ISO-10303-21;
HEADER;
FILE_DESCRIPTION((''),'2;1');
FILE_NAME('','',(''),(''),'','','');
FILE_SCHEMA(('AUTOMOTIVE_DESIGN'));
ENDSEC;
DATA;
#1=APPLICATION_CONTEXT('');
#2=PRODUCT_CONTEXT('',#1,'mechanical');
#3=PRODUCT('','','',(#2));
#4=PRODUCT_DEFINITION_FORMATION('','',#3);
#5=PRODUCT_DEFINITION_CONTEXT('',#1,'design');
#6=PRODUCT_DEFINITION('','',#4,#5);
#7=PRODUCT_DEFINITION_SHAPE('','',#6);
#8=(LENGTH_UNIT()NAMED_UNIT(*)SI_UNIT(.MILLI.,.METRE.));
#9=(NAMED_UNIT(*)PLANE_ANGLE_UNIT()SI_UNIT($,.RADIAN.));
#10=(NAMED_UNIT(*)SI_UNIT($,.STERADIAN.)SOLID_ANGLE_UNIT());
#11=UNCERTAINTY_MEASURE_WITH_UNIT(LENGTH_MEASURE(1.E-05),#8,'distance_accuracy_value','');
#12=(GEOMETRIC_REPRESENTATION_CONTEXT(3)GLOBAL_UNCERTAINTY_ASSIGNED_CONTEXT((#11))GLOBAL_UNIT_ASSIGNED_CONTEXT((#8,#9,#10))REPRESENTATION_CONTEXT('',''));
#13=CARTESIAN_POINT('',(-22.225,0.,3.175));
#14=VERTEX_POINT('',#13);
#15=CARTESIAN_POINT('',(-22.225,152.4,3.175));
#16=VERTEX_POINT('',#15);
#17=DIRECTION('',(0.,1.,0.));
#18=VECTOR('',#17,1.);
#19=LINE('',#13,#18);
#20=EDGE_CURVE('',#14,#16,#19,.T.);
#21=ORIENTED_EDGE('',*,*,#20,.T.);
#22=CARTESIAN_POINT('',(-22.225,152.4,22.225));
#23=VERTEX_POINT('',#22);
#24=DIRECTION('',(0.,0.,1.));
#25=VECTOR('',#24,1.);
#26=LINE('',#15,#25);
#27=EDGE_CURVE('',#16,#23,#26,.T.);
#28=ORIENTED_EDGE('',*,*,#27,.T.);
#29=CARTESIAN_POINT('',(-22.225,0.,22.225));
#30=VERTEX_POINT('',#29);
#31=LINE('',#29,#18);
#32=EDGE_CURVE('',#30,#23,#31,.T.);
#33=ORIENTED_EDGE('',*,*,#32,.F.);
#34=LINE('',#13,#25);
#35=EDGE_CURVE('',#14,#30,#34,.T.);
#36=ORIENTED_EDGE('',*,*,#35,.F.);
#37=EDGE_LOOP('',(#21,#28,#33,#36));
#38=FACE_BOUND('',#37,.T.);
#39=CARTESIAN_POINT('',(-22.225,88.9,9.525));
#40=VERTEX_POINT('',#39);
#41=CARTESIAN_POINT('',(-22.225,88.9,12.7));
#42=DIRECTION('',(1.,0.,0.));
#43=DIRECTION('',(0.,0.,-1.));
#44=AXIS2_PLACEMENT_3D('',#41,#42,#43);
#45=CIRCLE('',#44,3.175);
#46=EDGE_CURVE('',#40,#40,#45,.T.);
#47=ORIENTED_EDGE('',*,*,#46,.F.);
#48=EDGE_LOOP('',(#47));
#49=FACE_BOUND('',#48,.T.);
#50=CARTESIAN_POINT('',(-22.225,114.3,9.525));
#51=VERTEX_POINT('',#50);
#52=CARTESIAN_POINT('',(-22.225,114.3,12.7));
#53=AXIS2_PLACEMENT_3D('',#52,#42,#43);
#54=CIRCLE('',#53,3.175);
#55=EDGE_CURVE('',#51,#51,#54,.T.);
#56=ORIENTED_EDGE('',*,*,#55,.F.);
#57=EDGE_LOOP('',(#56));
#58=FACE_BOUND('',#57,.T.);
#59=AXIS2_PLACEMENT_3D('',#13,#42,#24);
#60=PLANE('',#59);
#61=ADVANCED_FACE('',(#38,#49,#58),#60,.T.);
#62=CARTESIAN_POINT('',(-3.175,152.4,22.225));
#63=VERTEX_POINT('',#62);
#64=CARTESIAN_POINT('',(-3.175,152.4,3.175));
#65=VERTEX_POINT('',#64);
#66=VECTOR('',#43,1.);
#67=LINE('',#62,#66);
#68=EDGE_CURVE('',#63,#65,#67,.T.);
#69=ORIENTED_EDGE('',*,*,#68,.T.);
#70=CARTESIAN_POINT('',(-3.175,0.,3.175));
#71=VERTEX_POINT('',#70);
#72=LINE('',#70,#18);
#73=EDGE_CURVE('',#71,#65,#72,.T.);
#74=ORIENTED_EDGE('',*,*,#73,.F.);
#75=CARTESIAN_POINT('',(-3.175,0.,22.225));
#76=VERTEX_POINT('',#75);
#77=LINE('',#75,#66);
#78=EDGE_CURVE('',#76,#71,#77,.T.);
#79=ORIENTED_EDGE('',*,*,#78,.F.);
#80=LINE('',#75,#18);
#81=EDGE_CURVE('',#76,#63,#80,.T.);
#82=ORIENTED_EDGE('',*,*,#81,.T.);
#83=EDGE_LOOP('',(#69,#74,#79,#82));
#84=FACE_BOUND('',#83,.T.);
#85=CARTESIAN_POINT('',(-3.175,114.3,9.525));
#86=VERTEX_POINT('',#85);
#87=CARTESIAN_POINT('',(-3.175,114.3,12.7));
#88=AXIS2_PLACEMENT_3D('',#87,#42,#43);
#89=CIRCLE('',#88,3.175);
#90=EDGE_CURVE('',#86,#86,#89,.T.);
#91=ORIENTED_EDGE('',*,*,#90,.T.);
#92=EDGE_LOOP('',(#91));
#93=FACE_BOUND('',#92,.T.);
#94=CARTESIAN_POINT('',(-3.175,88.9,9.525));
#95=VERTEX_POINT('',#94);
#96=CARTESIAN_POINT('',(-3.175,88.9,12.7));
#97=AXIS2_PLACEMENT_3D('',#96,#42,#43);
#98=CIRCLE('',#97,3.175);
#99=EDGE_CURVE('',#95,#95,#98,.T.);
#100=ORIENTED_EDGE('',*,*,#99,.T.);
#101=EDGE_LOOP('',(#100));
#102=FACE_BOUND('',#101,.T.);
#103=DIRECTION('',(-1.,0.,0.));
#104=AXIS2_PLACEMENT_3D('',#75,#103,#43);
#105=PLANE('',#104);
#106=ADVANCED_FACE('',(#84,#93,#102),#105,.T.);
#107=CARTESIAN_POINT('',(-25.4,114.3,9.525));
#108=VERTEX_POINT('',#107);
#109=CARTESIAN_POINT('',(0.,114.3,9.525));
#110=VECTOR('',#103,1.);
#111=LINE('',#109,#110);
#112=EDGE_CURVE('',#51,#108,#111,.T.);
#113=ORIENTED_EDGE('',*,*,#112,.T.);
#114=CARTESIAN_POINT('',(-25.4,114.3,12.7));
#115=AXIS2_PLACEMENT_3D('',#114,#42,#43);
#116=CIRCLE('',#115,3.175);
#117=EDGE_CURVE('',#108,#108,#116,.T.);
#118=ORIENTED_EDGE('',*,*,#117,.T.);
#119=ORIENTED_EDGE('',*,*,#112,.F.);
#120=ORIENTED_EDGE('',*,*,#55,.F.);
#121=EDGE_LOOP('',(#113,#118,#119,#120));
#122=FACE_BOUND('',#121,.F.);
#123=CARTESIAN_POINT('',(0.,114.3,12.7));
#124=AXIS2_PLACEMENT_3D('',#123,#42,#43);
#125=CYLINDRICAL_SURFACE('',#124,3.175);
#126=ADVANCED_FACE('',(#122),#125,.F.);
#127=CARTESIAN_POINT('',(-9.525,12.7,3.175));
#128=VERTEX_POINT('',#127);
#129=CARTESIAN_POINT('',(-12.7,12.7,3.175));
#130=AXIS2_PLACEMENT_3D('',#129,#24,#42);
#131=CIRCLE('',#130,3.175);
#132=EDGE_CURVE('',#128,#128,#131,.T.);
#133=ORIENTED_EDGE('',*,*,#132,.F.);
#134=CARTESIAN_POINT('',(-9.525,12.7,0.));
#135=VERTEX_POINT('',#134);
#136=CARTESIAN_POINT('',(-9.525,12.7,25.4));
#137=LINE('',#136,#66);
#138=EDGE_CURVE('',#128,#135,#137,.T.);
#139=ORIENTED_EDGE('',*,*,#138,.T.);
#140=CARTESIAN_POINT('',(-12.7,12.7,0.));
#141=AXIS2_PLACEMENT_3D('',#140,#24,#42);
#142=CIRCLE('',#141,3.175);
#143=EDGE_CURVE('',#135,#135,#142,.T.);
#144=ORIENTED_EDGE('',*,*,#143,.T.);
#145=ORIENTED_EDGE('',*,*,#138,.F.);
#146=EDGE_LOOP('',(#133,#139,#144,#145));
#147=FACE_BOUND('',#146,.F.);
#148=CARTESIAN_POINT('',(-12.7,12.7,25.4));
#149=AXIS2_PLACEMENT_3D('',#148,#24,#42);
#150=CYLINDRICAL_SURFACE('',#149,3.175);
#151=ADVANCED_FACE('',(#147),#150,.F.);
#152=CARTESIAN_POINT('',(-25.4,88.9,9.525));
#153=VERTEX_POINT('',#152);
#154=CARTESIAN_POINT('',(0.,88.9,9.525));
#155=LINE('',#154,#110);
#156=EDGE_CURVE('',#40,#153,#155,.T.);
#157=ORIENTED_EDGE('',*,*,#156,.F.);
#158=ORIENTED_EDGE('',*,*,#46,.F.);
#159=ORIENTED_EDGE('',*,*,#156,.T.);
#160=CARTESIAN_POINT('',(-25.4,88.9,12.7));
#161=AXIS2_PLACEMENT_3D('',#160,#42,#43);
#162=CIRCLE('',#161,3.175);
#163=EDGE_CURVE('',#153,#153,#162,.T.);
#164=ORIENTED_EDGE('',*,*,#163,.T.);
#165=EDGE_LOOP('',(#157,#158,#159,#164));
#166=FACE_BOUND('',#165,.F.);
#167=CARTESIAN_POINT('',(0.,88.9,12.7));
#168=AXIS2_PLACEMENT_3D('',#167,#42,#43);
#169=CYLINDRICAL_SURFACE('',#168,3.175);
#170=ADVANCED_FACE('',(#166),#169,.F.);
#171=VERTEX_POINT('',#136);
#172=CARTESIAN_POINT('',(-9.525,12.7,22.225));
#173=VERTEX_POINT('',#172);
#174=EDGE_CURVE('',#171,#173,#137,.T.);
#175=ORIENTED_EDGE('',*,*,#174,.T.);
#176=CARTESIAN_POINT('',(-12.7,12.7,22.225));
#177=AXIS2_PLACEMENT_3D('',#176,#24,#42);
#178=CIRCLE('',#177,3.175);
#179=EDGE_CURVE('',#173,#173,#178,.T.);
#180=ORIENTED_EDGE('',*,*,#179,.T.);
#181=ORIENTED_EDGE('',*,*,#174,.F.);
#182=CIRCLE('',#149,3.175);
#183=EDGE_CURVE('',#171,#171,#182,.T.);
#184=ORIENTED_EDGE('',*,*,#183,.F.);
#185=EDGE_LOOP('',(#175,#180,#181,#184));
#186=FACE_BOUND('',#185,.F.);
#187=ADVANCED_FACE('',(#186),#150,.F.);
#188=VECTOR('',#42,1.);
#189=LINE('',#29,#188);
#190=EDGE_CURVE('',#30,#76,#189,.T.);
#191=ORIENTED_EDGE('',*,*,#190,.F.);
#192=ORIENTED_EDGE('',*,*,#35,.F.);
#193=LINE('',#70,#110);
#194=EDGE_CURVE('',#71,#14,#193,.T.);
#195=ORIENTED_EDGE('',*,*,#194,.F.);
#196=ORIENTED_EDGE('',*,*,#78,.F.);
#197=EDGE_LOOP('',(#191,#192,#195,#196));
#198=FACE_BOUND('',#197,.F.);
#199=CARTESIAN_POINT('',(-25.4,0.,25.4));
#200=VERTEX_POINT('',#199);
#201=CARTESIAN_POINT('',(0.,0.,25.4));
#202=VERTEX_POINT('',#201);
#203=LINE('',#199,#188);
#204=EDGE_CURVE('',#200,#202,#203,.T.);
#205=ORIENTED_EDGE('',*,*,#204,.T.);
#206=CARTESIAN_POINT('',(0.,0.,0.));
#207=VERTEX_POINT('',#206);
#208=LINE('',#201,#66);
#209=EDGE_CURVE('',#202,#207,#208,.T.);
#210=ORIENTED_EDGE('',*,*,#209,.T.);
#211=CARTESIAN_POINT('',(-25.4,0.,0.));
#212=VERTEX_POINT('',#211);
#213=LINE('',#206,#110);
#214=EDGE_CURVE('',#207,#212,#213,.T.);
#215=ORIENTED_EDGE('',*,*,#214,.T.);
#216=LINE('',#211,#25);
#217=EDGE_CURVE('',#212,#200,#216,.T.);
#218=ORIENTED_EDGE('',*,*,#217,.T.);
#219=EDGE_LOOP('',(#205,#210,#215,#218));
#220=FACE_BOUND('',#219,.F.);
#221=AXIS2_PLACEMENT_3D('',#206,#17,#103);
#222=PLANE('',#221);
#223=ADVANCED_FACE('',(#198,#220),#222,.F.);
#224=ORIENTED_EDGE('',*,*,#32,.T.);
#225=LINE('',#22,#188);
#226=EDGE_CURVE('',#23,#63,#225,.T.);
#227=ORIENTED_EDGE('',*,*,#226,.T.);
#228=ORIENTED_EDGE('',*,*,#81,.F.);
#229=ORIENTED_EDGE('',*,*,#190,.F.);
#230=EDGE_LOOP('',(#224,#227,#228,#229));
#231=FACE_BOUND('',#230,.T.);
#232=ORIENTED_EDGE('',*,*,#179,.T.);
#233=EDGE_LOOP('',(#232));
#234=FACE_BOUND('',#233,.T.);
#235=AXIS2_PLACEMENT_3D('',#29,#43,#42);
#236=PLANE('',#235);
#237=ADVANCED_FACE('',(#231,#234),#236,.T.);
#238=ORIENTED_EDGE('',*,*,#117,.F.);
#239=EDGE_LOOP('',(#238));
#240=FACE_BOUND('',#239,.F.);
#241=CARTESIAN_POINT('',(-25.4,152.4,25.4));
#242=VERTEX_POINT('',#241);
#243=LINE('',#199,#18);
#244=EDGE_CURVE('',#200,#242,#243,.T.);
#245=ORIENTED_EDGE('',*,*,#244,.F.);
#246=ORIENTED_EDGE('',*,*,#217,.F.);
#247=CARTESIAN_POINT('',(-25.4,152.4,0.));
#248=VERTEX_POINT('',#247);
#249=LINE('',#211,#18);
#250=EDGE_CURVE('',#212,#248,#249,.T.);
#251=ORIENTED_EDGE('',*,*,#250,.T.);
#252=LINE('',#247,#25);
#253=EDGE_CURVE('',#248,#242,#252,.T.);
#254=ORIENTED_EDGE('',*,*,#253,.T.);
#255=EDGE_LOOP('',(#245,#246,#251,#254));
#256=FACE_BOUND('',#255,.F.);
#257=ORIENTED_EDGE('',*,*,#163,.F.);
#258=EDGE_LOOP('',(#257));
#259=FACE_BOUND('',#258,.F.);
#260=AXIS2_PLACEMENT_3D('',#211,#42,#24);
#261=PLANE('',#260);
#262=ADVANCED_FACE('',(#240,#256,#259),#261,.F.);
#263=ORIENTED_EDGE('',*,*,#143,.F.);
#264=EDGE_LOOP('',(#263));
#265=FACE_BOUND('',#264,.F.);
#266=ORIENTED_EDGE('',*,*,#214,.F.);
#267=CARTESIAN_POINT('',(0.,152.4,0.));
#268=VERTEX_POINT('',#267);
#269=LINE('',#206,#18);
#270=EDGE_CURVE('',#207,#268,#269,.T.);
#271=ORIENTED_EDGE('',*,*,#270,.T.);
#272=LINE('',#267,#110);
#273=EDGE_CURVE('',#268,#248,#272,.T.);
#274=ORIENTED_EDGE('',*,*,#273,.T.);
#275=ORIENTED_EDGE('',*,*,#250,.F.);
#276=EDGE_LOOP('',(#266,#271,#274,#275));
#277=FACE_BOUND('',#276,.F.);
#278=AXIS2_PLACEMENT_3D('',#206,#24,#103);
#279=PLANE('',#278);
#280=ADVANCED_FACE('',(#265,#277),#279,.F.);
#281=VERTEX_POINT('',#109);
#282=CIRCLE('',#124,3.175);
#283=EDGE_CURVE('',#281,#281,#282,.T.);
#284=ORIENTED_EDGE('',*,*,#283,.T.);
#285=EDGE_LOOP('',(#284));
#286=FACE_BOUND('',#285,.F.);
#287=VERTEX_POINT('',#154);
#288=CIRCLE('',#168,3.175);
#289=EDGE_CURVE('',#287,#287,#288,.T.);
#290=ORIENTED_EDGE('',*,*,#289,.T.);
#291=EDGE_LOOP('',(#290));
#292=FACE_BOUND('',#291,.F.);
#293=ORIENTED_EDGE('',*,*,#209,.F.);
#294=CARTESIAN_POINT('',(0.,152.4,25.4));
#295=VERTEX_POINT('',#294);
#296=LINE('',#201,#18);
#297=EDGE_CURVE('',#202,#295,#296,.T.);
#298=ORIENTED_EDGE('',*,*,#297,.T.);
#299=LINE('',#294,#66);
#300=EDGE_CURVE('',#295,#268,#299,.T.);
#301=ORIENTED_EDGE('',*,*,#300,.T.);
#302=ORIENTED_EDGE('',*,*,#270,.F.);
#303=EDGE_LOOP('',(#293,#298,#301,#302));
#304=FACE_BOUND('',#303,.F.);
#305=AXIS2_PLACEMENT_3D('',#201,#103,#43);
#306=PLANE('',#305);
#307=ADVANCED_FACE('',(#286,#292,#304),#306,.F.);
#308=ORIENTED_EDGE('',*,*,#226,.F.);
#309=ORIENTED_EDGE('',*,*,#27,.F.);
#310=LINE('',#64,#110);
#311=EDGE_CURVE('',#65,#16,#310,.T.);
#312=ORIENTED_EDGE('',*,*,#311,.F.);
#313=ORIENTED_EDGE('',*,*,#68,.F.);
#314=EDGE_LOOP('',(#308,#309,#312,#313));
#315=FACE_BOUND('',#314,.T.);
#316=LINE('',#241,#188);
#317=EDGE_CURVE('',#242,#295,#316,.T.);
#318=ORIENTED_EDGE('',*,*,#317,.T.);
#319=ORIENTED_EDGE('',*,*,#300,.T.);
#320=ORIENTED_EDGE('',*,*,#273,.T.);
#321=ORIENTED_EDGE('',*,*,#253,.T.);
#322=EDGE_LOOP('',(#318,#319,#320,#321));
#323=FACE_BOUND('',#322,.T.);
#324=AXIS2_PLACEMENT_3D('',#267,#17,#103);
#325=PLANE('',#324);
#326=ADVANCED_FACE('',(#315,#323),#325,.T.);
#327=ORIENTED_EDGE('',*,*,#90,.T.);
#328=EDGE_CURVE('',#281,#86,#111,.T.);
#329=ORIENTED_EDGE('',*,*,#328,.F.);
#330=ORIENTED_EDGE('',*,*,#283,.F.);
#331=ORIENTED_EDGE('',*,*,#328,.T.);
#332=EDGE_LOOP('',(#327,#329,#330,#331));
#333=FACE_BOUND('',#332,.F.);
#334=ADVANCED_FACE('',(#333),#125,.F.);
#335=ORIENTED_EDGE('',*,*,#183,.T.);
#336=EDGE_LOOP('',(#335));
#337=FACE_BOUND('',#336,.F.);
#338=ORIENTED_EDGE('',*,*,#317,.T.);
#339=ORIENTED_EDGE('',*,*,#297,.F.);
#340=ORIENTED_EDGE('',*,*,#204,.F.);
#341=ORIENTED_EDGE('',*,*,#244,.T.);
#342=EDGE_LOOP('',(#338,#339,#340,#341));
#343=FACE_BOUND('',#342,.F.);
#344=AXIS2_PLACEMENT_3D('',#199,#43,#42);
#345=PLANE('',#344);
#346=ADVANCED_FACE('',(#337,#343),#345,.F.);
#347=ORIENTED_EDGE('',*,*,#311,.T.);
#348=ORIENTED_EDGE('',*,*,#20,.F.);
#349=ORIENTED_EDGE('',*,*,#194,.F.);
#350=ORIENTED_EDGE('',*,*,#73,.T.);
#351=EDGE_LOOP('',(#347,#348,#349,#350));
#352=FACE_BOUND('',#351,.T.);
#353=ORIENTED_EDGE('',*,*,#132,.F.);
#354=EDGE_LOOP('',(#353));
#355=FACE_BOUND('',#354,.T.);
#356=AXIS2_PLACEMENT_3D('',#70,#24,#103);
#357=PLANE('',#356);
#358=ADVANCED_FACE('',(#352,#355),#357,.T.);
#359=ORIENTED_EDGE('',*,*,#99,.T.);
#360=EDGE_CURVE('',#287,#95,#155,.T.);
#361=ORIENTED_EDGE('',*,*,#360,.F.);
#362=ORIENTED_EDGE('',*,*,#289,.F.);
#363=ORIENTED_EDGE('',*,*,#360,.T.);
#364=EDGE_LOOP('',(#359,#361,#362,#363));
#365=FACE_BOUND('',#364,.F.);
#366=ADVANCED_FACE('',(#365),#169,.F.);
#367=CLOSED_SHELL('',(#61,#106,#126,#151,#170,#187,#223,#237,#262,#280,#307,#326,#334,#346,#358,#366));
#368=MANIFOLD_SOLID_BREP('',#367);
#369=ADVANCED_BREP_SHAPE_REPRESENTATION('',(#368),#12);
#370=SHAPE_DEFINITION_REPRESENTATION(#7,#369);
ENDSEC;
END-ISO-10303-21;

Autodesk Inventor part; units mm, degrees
ref_plane "YZ Plane" through (0, 0, 0) normal (1, 0, 0) x (0, 1, 0)
ref_plane "XZ Plane" through (0, 0, 0) normal (0, 1, 0) x (-1, 0, 0)
ref_plane "XY Plane" through (0, 0, 0) normal (0, 0, 1) x (1, 0, 0)
sketch "Sketch1" plane through (0, 0, 0) normal (0, 1, 0) x (-1, 0, 0)
  line L0 (0, 0) -> (25.4, 0)
  line L1 (25.4, 0) -> (25.4, 25.4)
  line L2 (25.4, 25.4) -> (0, 25.4)
  line L3 (0, 25.4) -> (0, 0)
  line L4 (22.225, 22.225) -> (3.175, 22.225)
  line L5 (3.175, 22.225) -> (3.175, 3.175)
  line L6 (3.175, 3.175) -> (22.225, 3.175)
  line L7 (22.225, 3.175) -> (22.225, 22.225)
  dimension "d0" = 25.4
  dimension "d1" = 25.4
  dimension "d2" = 3.175
  dimension "d3" = 3.175
  dimension "d4" = 3.175
  dimension "d5" = 3.175
extrude "Extrusion1" add sketch "Sketch1" along normal blind 152.4
sketch "Sketch2" plane through (0, 0, 25.4) normal (1, 0, 0) x (0, 0, -1)
  circle A0 centre (12.7, 114.3) radius 3.175
  circle A1 centre (12.7, 88.9) radius 3.175
  line L0 (0, 0) -> (0, 152.4) projected
  line L1 (0, 152.4) -> (25.4, 152.4) projected
  point P0 (25.4, 0)
  dimension "d8" = 12.7
  dimension "d10" = 12.7
  dimension "d11" = 25.4
  dimension "d12" = 6.35
  dimension "d13" = 6.35
  dimension "d14" = 38.1
extrude "Extrusion2" cut sketch "Sketch2" against normal blind 25.4
sketch "Sketch3" plane through (-25.4, 0, 25.4) normal (0, 0, 1) x (1, 0, 0)
  circle A0 centre (12.7, 12.7) radius 3.175
  line L0 (0, 0) -> (0, 152.4) projected
  line L1 (0, 0) -> (25.4, 0) projected
  dimension "d17" = 6.35
  dimension "d18" = 12.7
  dimension "d19" = 12.7
extrude "Extrusion3" cut sketch "Sketch3" against normal blind 25.4
properties part number "15102898-16-P-0912" material "Aluminum 6061"
